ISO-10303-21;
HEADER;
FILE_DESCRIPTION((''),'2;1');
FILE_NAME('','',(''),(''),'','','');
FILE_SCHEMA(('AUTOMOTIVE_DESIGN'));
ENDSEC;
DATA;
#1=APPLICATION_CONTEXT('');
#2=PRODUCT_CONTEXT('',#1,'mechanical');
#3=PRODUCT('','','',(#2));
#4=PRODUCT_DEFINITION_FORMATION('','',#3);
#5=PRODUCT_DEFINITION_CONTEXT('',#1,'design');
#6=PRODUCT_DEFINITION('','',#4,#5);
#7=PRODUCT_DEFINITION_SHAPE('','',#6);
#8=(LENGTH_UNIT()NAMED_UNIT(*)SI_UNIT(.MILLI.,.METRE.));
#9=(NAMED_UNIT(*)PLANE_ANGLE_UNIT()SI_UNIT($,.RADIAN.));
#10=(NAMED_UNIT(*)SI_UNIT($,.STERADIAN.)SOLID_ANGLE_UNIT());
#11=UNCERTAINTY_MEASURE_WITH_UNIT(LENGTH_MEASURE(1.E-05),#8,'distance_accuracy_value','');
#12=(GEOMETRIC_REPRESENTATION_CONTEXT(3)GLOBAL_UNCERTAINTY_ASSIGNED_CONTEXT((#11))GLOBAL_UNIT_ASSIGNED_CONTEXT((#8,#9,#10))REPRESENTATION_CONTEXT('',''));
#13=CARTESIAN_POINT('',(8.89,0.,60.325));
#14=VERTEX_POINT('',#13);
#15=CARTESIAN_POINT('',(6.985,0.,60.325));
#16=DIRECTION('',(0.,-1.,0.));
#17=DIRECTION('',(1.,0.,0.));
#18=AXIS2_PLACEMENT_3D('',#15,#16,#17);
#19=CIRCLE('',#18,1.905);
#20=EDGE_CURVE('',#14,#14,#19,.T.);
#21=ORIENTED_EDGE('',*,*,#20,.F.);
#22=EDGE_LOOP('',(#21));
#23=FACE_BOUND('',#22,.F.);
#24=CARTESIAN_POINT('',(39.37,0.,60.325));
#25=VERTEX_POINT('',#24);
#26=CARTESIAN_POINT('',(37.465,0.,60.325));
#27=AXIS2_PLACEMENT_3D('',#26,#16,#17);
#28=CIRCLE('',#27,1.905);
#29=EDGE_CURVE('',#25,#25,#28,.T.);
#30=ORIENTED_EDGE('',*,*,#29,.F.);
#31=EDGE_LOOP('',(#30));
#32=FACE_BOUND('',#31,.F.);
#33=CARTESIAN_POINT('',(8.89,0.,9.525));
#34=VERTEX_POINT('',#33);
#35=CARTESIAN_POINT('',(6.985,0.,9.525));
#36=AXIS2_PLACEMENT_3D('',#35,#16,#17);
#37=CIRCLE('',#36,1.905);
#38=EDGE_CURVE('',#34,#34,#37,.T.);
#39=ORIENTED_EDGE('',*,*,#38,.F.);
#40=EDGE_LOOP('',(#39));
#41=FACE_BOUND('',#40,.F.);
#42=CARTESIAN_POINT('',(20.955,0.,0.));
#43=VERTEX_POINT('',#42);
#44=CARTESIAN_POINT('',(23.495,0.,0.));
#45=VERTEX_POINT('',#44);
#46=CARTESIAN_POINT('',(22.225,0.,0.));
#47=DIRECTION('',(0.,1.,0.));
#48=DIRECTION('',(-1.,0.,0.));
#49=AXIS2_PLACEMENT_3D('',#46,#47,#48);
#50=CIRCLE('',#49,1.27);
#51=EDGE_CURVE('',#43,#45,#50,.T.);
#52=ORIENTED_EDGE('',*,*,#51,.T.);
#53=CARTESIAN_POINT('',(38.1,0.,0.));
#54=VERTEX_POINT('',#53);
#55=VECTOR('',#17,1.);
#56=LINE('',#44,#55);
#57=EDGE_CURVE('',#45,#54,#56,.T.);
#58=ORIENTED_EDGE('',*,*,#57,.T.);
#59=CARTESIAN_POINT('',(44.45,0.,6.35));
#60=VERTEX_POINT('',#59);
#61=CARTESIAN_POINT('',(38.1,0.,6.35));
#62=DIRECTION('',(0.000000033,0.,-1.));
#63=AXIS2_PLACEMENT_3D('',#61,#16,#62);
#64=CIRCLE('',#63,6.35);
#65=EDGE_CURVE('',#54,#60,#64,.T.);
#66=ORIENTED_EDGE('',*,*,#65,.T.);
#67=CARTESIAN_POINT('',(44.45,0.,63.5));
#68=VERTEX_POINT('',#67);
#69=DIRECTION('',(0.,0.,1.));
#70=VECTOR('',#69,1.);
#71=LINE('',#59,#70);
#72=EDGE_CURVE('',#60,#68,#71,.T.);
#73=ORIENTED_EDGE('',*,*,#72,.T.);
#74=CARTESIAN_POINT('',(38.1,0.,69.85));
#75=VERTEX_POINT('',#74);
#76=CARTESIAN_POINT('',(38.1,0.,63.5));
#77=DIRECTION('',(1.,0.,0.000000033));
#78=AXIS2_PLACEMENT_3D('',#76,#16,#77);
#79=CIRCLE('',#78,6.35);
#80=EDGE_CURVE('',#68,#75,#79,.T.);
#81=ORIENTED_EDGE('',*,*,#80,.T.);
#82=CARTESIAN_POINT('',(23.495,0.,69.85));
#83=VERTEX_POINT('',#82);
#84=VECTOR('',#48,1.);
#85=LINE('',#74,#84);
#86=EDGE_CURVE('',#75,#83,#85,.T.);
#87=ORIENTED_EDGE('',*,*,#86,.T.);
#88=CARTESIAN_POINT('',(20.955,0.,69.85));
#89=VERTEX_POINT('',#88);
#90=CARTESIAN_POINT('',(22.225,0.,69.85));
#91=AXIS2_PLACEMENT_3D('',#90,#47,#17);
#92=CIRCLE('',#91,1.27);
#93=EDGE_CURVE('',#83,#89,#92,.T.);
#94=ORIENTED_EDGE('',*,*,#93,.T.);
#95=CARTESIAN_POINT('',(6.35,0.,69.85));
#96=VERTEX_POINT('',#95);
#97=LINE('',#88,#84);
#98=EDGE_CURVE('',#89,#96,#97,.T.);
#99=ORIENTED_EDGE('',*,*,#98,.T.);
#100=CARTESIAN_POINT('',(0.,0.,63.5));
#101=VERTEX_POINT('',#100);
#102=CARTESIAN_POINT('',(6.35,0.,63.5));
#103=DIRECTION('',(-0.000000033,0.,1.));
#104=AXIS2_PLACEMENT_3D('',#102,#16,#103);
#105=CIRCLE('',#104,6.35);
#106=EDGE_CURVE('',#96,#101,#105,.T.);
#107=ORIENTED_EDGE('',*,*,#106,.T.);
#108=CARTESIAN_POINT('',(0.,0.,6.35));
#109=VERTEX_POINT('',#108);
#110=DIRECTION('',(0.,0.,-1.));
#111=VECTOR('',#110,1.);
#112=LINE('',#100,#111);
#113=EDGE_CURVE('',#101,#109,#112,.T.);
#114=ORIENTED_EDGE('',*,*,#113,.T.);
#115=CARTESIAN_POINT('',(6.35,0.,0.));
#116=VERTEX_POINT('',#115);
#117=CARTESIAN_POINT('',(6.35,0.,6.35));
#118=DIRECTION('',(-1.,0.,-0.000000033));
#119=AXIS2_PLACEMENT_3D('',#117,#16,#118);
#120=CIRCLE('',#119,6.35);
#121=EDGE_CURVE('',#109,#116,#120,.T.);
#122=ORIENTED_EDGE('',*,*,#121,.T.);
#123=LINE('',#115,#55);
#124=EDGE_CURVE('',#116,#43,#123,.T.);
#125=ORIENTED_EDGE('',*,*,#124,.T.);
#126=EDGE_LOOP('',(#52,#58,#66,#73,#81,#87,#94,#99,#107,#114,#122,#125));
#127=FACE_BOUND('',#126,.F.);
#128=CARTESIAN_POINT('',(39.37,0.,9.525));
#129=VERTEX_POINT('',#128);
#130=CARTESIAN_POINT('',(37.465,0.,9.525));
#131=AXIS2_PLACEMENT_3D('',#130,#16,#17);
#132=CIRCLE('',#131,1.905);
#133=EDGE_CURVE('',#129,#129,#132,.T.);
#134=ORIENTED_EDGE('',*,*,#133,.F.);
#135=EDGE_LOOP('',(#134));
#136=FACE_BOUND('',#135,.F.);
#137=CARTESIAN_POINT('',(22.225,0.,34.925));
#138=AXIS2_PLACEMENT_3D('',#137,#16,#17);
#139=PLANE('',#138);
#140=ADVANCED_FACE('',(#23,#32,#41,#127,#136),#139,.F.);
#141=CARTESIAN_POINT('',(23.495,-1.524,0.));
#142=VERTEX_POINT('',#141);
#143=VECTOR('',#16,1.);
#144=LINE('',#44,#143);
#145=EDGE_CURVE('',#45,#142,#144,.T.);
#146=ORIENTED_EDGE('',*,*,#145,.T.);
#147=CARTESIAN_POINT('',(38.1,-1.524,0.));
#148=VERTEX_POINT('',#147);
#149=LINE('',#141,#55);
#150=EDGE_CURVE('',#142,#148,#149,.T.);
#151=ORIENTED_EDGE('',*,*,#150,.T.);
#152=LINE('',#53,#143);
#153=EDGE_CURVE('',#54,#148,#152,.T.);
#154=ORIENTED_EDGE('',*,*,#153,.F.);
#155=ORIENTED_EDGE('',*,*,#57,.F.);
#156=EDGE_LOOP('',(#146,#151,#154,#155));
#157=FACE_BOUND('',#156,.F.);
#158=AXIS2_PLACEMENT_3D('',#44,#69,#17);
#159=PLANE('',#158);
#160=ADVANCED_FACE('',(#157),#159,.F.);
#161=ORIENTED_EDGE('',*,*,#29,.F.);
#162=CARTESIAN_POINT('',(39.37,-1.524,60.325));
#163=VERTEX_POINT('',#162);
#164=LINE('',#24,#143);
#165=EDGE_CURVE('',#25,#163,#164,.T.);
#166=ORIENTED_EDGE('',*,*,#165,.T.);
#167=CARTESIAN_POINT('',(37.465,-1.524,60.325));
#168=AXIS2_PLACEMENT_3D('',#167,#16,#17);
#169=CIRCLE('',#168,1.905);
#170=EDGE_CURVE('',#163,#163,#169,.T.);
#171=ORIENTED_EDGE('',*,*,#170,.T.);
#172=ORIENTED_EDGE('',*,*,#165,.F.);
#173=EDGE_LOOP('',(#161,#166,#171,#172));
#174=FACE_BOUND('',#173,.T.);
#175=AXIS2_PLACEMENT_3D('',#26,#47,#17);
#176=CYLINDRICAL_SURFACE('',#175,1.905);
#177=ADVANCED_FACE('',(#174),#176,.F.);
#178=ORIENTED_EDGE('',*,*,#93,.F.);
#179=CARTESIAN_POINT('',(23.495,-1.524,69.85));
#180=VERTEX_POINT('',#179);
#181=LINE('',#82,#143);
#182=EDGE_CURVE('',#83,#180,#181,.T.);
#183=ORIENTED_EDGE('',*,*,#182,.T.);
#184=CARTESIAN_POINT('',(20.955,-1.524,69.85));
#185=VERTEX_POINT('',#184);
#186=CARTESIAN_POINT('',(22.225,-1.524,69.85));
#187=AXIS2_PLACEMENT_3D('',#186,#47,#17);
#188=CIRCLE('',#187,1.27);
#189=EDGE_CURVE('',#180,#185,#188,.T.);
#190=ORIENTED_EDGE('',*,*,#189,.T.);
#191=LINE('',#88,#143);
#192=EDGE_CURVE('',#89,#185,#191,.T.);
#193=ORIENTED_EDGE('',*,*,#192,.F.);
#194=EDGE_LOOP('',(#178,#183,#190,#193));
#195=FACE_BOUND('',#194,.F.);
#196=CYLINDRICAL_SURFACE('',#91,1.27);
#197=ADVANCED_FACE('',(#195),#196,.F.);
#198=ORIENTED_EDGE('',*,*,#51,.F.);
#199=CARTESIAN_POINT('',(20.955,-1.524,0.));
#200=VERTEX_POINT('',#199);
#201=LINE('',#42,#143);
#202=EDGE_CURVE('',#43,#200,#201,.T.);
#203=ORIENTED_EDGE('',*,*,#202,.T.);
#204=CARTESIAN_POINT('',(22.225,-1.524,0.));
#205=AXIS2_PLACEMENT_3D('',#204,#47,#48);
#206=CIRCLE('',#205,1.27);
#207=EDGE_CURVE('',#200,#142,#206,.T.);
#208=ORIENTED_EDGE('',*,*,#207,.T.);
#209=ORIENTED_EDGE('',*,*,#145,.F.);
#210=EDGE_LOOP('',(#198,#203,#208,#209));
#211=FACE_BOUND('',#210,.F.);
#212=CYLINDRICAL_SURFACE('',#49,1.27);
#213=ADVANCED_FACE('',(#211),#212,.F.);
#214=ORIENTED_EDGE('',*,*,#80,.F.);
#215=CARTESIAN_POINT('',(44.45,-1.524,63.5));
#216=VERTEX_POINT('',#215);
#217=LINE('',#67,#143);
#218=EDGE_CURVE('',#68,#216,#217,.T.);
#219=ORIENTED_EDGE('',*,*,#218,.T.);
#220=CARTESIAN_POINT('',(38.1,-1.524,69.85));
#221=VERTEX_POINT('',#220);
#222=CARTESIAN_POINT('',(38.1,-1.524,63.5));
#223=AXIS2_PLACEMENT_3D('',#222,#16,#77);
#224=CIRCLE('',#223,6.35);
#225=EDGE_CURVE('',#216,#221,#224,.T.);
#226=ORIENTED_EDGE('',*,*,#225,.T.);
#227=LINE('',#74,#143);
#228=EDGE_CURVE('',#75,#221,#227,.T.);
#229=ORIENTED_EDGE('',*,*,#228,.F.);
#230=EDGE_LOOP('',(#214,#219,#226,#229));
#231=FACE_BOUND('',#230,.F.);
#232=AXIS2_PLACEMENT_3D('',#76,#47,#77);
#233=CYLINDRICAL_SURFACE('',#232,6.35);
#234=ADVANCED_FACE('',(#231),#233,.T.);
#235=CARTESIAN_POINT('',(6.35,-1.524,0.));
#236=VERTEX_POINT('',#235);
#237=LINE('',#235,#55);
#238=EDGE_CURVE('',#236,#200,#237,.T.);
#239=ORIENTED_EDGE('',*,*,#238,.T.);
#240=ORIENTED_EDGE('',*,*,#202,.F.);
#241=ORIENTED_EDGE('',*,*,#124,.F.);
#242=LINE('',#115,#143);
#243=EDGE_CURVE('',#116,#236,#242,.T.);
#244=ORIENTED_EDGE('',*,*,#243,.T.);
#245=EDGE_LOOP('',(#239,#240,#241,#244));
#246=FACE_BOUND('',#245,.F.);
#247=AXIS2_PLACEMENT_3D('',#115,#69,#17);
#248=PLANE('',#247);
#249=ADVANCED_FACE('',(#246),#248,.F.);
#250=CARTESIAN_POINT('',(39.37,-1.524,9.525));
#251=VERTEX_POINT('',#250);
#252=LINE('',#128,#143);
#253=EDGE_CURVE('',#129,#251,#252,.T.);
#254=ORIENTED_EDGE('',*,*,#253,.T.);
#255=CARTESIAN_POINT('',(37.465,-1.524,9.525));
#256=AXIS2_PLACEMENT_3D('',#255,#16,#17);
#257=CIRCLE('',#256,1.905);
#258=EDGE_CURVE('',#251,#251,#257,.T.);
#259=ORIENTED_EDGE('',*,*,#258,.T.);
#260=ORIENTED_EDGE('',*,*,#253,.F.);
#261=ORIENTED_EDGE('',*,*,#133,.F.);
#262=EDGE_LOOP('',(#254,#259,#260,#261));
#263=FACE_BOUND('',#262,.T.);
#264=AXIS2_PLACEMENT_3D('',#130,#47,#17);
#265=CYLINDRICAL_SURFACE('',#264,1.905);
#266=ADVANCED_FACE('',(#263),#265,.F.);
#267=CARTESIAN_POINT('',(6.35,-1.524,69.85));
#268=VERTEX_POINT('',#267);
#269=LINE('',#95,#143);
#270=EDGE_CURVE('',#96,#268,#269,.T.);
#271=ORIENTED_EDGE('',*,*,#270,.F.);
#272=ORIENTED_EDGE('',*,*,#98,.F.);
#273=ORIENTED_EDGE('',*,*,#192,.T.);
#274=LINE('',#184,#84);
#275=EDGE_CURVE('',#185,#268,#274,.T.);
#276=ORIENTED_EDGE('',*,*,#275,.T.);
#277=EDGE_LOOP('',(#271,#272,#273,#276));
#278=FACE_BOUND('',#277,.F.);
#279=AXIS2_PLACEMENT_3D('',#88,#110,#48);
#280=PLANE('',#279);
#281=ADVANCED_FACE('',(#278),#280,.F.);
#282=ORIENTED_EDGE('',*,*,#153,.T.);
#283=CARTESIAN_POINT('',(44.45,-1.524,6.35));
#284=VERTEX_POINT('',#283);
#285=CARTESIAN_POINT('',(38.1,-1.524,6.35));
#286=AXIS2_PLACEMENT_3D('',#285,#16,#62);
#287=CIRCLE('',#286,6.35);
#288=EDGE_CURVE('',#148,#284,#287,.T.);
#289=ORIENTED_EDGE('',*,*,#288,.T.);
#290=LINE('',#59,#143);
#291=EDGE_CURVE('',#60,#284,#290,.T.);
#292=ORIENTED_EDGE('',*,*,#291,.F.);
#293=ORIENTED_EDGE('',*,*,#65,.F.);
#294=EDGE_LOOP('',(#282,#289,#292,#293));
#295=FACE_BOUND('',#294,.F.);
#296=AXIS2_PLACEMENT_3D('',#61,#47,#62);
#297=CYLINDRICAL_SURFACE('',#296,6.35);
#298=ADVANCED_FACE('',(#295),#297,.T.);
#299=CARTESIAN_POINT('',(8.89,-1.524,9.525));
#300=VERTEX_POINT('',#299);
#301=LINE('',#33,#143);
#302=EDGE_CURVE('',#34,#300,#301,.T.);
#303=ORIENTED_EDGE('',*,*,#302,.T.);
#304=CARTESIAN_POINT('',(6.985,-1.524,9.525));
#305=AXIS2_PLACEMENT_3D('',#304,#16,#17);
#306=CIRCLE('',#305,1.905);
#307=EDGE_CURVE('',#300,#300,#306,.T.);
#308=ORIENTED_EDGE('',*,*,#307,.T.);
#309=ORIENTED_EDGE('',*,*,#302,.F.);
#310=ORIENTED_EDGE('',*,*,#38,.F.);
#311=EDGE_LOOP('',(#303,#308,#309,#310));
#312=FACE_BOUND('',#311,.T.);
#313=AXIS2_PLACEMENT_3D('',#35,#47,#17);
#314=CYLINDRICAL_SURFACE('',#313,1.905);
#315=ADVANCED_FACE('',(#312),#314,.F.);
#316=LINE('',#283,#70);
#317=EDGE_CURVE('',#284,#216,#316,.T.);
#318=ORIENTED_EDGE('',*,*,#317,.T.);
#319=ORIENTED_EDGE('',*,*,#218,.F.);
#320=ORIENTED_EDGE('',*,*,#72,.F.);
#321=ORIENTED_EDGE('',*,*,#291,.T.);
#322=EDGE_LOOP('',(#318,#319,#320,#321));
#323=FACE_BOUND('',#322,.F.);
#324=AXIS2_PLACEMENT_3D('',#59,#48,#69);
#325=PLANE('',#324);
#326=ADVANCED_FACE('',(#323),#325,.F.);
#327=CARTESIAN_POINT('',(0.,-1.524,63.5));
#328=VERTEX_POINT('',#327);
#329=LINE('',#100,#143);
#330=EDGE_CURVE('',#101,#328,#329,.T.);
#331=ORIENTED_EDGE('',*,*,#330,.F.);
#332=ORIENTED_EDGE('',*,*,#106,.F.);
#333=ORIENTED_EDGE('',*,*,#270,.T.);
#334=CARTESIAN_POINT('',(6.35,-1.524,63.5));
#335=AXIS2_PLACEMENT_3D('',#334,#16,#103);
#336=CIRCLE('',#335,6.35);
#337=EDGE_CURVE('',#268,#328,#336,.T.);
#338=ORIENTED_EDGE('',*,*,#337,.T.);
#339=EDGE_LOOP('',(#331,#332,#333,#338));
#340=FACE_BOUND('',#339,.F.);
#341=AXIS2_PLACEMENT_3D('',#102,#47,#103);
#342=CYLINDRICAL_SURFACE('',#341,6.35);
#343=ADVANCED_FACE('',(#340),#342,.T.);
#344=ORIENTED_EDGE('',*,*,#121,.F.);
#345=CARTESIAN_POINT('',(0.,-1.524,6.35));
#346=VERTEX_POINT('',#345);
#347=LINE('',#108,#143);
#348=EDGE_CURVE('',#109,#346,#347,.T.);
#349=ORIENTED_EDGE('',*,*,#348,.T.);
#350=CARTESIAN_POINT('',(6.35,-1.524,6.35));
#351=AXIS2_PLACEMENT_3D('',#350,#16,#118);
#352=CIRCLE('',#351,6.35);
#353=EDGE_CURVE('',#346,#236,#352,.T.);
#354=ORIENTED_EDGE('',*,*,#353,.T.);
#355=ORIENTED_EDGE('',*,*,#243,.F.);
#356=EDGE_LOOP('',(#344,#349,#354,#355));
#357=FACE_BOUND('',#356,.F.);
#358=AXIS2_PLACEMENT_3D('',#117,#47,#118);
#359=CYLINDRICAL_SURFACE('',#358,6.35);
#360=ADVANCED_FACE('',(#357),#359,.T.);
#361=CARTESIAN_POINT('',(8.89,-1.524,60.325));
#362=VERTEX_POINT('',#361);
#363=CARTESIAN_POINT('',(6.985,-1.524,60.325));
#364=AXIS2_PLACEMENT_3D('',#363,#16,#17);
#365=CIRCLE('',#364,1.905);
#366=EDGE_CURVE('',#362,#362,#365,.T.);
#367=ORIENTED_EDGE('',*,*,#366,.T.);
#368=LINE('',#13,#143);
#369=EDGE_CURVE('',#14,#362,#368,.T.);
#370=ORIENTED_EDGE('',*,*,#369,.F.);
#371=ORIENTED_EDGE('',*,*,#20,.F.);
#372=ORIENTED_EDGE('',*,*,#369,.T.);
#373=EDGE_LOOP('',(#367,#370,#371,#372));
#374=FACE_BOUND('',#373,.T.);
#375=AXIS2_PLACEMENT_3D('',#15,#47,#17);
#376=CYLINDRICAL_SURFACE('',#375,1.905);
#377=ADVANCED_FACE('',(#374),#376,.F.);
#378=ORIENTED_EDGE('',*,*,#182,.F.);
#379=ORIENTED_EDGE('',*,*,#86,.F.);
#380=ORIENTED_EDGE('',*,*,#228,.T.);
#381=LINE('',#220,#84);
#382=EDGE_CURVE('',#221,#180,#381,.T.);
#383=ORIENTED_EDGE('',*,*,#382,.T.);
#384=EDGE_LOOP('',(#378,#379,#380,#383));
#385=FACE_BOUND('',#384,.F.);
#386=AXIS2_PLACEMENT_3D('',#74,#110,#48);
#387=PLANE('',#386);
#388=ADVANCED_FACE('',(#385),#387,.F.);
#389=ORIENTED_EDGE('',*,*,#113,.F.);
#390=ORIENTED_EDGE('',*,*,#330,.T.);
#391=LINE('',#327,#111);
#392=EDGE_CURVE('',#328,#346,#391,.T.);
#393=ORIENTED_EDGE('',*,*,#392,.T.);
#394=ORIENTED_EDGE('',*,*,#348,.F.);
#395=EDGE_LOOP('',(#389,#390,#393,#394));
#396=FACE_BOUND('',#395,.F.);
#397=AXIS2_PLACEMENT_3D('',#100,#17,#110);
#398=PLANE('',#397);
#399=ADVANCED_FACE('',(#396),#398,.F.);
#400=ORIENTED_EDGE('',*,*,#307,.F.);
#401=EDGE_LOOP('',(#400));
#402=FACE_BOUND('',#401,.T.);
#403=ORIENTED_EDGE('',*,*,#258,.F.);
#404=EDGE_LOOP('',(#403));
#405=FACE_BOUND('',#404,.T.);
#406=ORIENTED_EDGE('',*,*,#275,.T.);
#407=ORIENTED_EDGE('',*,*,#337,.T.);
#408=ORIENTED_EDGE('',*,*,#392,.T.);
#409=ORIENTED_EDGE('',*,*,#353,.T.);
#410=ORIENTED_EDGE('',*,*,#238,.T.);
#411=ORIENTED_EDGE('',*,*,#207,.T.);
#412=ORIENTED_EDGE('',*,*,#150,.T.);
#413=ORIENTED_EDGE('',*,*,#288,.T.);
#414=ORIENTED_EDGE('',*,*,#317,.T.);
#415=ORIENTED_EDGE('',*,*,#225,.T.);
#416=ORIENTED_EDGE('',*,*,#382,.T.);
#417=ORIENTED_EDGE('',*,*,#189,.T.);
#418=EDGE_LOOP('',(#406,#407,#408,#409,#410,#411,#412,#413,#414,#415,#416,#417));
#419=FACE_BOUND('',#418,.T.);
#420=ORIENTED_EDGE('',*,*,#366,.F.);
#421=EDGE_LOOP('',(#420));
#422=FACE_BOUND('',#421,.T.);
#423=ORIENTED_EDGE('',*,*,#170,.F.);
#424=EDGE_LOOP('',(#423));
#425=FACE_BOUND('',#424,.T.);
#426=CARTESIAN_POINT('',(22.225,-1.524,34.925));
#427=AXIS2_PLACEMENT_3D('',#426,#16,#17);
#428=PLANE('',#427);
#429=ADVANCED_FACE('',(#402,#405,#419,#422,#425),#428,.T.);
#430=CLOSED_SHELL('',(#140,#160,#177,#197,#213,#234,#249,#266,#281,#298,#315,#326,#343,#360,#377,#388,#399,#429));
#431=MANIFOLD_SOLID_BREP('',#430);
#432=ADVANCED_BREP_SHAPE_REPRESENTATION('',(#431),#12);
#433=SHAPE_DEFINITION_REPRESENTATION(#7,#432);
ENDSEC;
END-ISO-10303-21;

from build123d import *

# Parameters (mm, degrees)
F0_R     = 1.905
F1_DEPTH = 1.524


with BuildPart() as f1:
    # F0 (on Front) → F1 (new body)
    with BuildSketch(Plane.XZ):
        with BuildLine():
            ThreePointArc((0, 6.35), (1.859872, 1.859872), (6.35, 0))
            Line((6.35, 0), (20.955, 0))
            ThreePointArc((20.955, 0), (22.225, 1.27), (23.495, 0))
            Line((23.495, 0), (38.1, 0))
            ThreePointArc((38.1, 0), (42.590128, 1.859872), (44.45, 6.35))
            Line((44.45, 6.35), (44.45, 63.5))
            ThreePointArc((44.45, 63.5), (42.590128, 67.990128), (38.1, 69.85))
            Line((38.1, 69.85), (23.495, 69.85))
            ThreePointArc((23.495, 69.85), (22.225, 68.58), (20.955, 69.85))
            Line((20.955, 69.85), (6.35, 69.85))
            ThreePointArc((6.35, 69.85), (1.859872, 67.990128), (0, 63.5))
            Line((0, 63.5), (0, 6.35))
        make_face()
        with Locations((6.985, 9.525)):
            Circle(F0_R, mode=Mode.SUBTRACT)
        with Locations((37.465, 9.525)):
            Circle(F0_R, mode=Mode.SUBTRACT)
        with Locations((6.985, 60.325)):
            Circle(F0_R, mode=Mode.SUBTRACT)
        with Locations((37.465, 60.325)):
            Circle(F0_R, mode=Mode.SUBTRACT)
    extrude(amount=F1_DEPTH)


solid = f1.part
